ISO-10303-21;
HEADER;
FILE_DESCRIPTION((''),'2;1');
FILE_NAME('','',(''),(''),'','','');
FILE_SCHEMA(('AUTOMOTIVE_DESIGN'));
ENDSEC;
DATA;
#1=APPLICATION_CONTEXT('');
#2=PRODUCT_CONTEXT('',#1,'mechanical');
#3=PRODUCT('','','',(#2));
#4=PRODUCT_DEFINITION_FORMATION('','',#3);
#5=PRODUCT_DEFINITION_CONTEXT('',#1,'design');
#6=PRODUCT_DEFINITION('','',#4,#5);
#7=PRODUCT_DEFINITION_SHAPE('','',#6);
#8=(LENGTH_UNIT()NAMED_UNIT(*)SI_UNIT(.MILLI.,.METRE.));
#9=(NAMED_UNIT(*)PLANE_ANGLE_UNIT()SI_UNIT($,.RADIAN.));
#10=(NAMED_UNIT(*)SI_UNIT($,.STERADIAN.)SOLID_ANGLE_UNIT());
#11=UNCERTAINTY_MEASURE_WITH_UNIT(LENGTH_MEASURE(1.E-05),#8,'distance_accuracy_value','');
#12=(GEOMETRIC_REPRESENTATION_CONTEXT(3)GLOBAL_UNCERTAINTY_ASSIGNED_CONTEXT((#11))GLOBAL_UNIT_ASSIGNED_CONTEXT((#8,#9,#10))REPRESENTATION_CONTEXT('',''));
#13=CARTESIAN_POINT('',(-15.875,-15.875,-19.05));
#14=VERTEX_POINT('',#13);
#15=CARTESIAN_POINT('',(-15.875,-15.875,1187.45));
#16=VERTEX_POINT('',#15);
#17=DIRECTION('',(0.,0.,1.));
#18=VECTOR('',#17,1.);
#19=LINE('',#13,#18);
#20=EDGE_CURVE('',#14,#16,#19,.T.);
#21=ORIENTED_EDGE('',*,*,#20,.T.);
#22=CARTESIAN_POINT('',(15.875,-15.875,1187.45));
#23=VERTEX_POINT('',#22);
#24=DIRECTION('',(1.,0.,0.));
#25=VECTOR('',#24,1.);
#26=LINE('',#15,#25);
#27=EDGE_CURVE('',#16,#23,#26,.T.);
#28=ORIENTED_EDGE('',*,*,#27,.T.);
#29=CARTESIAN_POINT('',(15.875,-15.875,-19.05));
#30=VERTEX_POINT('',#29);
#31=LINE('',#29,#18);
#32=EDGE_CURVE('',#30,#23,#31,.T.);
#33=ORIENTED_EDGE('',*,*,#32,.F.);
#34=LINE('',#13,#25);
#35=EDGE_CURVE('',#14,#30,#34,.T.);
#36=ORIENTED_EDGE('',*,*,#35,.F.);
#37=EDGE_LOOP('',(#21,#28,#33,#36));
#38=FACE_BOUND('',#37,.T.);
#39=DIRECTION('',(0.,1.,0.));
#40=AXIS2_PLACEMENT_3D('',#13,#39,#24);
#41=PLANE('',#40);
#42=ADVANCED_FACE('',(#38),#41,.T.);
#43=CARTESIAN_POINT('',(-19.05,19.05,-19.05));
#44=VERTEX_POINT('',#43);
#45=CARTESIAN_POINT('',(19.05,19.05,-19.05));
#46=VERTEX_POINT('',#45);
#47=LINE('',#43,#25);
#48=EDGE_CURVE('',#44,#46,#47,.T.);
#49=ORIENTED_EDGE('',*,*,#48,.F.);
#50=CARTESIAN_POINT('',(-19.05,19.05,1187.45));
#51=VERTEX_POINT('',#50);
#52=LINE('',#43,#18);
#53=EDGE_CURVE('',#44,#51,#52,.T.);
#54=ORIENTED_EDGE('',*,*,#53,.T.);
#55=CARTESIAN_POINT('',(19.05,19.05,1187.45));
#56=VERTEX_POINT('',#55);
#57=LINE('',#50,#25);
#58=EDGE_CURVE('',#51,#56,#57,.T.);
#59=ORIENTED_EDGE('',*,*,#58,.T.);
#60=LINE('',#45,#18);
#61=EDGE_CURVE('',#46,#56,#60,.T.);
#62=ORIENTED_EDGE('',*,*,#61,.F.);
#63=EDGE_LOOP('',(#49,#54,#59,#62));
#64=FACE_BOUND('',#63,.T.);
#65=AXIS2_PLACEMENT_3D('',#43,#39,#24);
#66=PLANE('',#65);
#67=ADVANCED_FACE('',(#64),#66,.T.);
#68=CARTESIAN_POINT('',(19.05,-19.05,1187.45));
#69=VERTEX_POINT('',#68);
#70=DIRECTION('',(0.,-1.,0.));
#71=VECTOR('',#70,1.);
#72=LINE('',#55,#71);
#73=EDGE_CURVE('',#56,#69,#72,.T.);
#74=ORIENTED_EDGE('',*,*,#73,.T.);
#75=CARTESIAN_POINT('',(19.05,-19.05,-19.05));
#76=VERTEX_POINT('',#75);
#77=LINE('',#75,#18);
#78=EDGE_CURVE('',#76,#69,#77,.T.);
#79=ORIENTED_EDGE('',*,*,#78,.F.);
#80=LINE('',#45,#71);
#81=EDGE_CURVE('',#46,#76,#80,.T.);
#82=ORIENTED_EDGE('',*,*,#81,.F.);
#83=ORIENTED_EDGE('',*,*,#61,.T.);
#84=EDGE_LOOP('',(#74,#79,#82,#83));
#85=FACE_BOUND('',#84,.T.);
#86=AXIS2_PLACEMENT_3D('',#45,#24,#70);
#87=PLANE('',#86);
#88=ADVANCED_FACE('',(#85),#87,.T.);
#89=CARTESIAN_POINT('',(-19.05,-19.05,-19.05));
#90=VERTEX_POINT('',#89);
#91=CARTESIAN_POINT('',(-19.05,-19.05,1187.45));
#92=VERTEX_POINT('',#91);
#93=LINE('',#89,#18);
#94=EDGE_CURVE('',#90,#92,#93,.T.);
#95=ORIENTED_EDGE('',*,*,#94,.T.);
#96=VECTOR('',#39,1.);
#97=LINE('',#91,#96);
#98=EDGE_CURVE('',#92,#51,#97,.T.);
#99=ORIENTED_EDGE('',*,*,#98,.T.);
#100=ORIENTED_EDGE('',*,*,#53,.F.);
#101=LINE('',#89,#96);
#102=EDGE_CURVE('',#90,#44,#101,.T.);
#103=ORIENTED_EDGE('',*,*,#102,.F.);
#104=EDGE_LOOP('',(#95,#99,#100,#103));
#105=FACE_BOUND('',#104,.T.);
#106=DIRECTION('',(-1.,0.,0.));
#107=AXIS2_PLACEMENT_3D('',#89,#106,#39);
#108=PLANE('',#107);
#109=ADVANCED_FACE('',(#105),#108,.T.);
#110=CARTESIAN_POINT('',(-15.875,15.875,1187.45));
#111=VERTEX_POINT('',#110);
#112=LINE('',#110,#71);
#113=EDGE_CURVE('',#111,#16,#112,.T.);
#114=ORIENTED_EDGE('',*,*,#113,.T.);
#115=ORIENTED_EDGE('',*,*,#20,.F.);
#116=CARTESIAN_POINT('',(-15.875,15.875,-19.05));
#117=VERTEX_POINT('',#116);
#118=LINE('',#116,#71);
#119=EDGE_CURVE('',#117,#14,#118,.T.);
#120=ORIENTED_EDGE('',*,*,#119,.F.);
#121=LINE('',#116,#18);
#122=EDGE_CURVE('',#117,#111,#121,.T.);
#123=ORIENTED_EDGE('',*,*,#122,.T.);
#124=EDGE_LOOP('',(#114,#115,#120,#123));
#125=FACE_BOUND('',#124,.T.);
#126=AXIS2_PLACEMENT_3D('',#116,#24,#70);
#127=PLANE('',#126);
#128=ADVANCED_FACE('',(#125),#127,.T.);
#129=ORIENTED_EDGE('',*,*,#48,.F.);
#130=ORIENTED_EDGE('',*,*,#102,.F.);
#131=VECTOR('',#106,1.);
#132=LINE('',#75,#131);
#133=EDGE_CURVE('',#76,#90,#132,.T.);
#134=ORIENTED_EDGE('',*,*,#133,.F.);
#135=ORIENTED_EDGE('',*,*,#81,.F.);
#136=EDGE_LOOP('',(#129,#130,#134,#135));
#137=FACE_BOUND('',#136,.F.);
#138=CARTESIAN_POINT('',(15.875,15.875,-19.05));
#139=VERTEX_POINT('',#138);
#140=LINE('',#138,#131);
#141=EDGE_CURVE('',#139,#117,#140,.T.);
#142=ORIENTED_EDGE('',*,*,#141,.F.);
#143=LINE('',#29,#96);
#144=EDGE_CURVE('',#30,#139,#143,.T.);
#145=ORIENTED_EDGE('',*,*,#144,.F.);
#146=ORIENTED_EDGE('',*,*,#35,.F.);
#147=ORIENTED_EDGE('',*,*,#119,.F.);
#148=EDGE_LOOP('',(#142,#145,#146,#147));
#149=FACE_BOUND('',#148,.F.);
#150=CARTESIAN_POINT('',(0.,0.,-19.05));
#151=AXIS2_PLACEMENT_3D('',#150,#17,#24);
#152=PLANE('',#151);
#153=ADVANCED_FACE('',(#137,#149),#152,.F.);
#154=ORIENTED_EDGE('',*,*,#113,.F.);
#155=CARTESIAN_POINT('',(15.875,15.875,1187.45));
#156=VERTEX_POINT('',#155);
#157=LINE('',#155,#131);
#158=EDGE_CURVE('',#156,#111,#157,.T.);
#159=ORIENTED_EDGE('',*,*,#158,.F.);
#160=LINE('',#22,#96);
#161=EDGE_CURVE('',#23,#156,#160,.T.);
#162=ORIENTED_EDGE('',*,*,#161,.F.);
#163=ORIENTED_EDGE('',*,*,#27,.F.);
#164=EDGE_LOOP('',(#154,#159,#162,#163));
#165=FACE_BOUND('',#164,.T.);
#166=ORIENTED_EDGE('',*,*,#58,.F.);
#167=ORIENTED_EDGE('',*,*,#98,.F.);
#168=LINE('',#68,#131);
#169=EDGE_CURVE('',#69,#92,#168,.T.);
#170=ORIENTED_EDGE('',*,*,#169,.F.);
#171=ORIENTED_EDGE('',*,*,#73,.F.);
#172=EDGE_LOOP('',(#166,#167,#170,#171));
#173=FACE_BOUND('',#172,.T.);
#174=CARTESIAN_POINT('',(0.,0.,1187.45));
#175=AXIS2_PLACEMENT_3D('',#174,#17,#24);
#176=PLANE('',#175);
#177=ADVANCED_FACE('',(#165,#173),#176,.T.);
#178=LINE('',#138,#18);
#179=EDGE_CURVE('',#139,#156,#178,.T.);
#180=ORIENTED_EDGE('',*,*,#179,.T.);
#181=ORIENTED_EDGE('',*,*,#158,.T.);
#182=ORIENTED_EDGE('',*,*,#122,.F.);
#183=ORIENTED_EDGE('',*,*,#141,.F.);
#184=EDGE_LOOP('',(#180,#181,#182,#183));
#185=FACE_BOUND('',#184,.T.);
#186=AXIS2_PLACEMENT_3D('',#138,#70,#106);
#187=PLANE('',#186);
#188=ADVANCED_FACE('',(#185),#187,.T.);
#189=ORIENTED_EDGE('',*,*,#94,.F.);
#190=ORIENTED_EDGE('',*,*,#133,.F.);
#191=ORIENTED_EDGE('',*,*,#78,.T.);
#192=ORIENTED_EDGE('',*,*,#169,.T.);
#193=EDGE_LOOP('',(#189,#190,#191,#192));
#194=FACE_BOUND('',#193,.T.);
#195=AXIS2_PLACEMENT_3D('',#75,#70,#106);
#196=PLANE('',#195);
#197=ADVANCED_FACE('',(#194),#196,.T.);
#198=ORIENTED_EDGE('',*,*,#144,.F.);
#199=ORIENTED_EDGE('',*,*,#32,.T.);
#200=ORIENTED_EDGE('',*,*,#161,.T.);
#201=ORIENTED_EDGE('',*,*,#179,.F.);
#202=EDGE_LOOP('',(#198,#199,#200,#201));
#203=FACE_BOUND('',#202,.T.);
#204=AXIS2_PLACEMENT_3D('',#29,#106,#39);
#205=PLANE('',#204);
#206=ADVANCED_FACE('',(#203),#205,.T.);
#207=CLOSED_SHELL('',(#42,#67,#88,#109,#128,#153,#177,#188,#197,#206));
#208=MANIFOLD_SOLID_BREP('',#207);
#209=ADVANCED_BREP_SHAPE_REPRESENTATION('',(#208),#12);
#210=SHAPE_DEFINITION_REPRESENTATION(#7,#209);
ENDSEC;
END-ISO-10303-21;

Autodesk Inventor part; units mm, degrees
ref_plane "Start Plane" through (0, 0, -19.05) normal (0, 0, 1) x (1, 0, 0)
ref_plane "End Plane" through (0, 0, 1187.45) normal (0, 0, 1) x (1, 0, 0)
sketch "Sketch" plane through (0, 0, 0) normal (0, 0, 1) x (1, 0, 0)
  line L0 (-19.05, 19.05) -> (19.05, 19.05)
  line L1 (19.05, 19.05) -> (19.05, -19.05)
  line L2 (19.05, -19.05) -> (-19.05, -19.05)
  line L3 (-19.05, -19.05) -> (-19.05, 19.05)
  line L4 (15.875, 15.875) -> (-15.875, 15.875)
  line L5 (-15.875, 15.875) -> (-15.875, -15.875)
  line L6 (-15.875, -15.875) -> (15.875, -15.875)
  line L7 (15.875, -15.875) -> (15.875, 15.875)
  point P0 (0, 0)
  point P1 (0, 19.05)
  point P2 (-19.05, 0)
  dimension "width" = 38.1
  dimension "d1" = 3.175
extrude "Body" add sketch "Sketch" along normal up to surface (1206.5 mm away) from surface at -19.05
sketch "Sketch4" plane through (0, 0, 0) normal (0, 0, 1) x (1, 0, 0)
  line L0 (0, 0) -> (10, 0)
ref_plane "Work Plane4" through (0, 0, 0) normal (0, -1, 0) x (1, 0, 0)
sketch "Sketch5" plane through (0, 0, 0) normal (0, -1, 0) x (1, 0, 0)
  line L0 (-2, -19.05) -> (12, -19.05)
  line L1 (-2, 1187.45) -> (12, 1187.45)
  dimension "d9" = 1206.5
ref_plane "Work Plane5" through (685.8, -19.05, -19.05) normal (0, 0, -1) x (-1, 0, 0)
split "Split1" plane through (685.8, -19.05, -19.05) removes the side toward (0, 0, -1)
ref_plane "Work Plane6" through (0, -19.05, 1187.45) normal (0, 0, 1) x (1, 0, 0)
split "Split2" plane through (0, -19.05, 1187.45) removes the side toward (0, 0, 1)
equation "\"G_OFFSET_START\" = 19.05"
equation "\"G_OFFSET_END\" = 19.05"
equation "\"d4\" = -G_OFFSET_START"
equation "\"d5\" = length + G_OFFSET_END"
equation "\"G_L\" = 1168.4"
equation "\"length\" = 1168.4"
properties part number "1.5x1.5x.125 Tube" material "Aluminum-6061"
